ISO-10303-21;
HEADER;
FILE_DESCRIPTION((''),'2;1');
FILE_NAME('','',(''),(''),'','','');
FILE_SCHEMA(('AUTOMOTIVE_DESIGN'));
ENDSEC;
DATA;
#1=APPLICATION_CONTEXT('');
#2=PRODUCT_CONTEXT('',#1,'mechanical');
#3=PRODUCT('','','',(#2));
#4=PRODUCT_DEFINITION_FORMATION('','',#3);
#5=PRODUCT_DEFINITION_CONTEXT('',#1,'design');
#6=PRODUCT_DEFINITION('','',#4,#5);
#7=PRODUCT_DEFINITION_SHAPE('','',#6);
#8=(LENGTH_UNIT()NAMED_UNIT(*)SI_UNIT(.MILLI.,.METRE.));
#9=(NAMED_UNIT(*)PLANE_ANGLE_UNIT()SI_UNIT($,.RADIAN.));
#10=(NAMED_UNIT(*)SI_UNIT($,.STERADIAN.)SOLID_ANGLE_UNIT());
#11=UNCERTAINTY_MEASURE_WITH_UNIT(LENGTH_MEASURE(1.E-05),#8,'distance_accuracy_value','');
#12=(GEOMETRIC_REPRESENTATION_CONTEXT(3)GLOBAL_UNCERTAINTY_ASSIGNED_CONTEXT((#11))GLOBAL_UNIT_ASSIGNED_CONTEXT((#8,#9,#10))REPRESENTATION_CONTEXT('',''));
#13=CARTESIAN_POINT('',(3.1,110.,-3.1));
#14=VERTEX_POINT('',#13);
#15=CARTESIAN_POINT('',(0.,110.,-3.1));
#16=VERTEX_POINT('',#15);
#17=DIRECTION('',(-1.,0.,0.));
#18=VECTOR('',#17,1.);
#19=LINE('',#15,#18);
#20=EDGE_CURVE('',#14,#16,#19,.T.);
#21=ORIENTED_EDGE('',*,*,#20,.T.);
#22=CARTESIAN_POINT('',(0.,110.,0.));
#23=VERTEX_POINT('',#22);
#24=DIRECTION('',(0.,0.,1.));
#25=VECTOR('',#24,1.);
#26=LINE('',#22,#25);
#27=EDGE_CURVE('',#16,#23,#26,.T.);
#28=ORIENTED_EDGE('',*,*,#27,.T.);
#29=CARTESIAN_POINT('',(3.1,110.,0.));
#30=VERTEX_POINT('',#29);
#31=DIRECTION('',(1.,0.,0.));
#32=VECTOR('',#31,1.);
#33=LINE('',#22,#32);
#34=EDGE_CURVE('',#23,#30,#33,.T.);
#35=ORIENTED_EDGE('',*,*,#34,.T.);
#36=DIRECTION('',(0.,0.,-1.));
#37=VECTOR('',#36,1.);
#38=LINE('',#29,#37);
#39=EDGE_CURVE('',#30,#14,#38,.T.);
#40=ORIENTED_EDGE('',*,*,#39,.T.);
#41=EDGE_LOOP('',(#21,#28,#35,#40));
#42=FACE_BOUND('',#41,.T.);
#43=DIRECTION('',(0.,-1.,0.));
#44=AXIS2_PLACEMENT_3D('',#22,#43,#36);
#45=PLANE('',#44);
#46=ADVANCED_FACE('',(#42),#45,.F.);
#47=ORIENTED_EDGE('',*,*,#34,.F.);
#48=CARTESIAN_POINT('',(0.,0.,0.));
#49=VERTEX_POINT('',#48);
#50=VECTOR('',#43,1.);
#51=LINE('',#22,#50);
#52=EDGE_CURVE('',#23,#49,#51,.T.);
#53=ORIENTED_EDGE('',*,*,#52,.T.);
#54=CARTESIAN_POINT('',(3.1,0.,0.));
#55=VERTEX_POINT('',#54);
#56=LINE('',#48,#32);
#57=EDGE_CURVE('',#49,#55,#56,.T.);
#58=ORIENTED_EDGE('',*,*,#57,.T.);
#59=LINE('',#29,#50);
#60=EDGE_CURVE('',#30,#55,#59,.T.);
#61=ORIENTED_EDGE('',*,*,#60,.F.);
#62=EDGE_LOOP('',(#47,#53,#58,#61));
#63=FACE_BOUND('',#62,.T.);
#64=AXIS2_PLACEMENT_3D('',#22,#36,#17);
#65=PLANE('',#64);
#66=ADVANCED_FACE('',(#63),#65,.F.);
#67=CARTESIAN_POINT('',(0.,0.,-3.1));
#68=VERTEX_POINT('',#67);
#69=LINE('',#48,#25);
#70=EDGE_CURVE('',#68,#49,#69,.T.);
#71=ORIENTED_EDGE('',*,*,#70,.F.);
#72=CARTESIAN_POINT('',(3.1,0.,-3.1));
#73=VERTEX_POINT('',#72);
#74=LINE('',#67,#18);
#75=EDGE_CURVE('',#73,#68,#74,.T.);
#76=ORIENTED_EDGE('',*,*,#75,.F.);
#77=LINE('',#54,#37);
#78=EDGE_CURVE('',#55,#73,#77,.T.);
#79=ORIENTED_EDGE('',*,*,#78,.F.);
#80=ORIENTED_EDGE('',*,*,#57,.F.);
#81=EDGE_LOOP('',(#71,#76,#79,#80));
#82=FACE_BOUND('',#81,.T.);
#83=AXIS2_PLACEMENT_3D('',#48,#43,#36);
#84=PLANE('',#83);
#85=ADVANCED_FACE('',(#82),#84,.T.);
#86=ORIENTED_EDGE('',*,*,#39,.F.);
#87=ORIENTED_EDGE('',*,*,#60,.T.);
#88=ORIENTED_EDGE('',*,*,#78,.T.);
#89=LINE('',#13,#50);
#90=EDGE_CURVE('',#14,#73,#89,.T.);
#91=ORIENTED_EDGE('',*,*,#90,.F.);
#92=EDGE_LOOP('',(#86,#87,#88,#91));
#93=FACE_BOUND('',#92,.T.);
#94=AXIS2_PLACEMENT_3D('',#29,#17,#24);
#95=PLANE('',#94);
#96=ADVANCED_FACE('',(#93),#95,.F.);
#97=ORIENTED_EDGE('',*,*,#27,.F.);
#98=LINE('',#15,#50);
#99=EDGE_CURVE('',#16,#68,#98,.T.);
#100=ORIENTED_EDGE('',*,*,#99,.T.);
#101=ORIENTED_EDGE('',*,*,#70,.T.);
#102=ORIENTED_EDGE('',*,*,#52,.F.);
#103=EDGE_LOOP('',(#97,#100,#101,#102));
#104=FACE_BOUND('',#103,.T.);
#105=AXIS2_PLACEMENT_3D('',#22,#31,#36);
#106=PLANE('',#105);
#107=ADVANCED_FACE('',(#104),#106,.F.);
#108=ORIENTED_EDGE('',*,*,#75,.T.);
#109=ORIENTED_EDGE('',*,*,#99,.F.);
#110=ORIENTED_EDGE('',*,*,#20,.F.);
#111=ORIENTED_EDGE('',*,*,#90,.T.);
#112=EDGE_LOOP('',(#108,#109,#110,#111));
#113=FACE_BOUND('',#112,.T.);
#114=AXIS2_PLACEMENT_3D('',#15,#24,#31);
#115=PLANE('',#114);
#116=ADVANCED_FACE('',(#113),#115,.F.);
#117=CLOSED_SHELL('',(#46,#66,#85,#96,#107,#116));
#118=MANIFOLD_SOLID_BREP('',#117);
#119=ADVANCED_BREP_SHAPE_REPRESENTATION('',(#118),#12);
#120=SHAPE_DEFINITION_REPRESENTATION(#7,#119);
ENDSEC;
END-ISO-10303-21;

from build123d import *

# Parameters (mm, degrees)
SKETCH_1_W      = 3.1
SKETCH_1_H      = 3.1
EXTRUDE_1_DEPTH = 110


with BuildPart() as part:
    # 草图1 → 凸台-拉伸1 (new body)
    with BuildSketch(Plane(origin=(0, 0, 0), x_dir=(1, 0, 0), z_dir=(0, 1, 0))):
        with Locations((1.55, 1.55)):
            Rectangle(SKETCH_1_W, SKETCH_1_H)
    extrude(amount=EXTRUDE_1_DEPTH)


solid = part.part
